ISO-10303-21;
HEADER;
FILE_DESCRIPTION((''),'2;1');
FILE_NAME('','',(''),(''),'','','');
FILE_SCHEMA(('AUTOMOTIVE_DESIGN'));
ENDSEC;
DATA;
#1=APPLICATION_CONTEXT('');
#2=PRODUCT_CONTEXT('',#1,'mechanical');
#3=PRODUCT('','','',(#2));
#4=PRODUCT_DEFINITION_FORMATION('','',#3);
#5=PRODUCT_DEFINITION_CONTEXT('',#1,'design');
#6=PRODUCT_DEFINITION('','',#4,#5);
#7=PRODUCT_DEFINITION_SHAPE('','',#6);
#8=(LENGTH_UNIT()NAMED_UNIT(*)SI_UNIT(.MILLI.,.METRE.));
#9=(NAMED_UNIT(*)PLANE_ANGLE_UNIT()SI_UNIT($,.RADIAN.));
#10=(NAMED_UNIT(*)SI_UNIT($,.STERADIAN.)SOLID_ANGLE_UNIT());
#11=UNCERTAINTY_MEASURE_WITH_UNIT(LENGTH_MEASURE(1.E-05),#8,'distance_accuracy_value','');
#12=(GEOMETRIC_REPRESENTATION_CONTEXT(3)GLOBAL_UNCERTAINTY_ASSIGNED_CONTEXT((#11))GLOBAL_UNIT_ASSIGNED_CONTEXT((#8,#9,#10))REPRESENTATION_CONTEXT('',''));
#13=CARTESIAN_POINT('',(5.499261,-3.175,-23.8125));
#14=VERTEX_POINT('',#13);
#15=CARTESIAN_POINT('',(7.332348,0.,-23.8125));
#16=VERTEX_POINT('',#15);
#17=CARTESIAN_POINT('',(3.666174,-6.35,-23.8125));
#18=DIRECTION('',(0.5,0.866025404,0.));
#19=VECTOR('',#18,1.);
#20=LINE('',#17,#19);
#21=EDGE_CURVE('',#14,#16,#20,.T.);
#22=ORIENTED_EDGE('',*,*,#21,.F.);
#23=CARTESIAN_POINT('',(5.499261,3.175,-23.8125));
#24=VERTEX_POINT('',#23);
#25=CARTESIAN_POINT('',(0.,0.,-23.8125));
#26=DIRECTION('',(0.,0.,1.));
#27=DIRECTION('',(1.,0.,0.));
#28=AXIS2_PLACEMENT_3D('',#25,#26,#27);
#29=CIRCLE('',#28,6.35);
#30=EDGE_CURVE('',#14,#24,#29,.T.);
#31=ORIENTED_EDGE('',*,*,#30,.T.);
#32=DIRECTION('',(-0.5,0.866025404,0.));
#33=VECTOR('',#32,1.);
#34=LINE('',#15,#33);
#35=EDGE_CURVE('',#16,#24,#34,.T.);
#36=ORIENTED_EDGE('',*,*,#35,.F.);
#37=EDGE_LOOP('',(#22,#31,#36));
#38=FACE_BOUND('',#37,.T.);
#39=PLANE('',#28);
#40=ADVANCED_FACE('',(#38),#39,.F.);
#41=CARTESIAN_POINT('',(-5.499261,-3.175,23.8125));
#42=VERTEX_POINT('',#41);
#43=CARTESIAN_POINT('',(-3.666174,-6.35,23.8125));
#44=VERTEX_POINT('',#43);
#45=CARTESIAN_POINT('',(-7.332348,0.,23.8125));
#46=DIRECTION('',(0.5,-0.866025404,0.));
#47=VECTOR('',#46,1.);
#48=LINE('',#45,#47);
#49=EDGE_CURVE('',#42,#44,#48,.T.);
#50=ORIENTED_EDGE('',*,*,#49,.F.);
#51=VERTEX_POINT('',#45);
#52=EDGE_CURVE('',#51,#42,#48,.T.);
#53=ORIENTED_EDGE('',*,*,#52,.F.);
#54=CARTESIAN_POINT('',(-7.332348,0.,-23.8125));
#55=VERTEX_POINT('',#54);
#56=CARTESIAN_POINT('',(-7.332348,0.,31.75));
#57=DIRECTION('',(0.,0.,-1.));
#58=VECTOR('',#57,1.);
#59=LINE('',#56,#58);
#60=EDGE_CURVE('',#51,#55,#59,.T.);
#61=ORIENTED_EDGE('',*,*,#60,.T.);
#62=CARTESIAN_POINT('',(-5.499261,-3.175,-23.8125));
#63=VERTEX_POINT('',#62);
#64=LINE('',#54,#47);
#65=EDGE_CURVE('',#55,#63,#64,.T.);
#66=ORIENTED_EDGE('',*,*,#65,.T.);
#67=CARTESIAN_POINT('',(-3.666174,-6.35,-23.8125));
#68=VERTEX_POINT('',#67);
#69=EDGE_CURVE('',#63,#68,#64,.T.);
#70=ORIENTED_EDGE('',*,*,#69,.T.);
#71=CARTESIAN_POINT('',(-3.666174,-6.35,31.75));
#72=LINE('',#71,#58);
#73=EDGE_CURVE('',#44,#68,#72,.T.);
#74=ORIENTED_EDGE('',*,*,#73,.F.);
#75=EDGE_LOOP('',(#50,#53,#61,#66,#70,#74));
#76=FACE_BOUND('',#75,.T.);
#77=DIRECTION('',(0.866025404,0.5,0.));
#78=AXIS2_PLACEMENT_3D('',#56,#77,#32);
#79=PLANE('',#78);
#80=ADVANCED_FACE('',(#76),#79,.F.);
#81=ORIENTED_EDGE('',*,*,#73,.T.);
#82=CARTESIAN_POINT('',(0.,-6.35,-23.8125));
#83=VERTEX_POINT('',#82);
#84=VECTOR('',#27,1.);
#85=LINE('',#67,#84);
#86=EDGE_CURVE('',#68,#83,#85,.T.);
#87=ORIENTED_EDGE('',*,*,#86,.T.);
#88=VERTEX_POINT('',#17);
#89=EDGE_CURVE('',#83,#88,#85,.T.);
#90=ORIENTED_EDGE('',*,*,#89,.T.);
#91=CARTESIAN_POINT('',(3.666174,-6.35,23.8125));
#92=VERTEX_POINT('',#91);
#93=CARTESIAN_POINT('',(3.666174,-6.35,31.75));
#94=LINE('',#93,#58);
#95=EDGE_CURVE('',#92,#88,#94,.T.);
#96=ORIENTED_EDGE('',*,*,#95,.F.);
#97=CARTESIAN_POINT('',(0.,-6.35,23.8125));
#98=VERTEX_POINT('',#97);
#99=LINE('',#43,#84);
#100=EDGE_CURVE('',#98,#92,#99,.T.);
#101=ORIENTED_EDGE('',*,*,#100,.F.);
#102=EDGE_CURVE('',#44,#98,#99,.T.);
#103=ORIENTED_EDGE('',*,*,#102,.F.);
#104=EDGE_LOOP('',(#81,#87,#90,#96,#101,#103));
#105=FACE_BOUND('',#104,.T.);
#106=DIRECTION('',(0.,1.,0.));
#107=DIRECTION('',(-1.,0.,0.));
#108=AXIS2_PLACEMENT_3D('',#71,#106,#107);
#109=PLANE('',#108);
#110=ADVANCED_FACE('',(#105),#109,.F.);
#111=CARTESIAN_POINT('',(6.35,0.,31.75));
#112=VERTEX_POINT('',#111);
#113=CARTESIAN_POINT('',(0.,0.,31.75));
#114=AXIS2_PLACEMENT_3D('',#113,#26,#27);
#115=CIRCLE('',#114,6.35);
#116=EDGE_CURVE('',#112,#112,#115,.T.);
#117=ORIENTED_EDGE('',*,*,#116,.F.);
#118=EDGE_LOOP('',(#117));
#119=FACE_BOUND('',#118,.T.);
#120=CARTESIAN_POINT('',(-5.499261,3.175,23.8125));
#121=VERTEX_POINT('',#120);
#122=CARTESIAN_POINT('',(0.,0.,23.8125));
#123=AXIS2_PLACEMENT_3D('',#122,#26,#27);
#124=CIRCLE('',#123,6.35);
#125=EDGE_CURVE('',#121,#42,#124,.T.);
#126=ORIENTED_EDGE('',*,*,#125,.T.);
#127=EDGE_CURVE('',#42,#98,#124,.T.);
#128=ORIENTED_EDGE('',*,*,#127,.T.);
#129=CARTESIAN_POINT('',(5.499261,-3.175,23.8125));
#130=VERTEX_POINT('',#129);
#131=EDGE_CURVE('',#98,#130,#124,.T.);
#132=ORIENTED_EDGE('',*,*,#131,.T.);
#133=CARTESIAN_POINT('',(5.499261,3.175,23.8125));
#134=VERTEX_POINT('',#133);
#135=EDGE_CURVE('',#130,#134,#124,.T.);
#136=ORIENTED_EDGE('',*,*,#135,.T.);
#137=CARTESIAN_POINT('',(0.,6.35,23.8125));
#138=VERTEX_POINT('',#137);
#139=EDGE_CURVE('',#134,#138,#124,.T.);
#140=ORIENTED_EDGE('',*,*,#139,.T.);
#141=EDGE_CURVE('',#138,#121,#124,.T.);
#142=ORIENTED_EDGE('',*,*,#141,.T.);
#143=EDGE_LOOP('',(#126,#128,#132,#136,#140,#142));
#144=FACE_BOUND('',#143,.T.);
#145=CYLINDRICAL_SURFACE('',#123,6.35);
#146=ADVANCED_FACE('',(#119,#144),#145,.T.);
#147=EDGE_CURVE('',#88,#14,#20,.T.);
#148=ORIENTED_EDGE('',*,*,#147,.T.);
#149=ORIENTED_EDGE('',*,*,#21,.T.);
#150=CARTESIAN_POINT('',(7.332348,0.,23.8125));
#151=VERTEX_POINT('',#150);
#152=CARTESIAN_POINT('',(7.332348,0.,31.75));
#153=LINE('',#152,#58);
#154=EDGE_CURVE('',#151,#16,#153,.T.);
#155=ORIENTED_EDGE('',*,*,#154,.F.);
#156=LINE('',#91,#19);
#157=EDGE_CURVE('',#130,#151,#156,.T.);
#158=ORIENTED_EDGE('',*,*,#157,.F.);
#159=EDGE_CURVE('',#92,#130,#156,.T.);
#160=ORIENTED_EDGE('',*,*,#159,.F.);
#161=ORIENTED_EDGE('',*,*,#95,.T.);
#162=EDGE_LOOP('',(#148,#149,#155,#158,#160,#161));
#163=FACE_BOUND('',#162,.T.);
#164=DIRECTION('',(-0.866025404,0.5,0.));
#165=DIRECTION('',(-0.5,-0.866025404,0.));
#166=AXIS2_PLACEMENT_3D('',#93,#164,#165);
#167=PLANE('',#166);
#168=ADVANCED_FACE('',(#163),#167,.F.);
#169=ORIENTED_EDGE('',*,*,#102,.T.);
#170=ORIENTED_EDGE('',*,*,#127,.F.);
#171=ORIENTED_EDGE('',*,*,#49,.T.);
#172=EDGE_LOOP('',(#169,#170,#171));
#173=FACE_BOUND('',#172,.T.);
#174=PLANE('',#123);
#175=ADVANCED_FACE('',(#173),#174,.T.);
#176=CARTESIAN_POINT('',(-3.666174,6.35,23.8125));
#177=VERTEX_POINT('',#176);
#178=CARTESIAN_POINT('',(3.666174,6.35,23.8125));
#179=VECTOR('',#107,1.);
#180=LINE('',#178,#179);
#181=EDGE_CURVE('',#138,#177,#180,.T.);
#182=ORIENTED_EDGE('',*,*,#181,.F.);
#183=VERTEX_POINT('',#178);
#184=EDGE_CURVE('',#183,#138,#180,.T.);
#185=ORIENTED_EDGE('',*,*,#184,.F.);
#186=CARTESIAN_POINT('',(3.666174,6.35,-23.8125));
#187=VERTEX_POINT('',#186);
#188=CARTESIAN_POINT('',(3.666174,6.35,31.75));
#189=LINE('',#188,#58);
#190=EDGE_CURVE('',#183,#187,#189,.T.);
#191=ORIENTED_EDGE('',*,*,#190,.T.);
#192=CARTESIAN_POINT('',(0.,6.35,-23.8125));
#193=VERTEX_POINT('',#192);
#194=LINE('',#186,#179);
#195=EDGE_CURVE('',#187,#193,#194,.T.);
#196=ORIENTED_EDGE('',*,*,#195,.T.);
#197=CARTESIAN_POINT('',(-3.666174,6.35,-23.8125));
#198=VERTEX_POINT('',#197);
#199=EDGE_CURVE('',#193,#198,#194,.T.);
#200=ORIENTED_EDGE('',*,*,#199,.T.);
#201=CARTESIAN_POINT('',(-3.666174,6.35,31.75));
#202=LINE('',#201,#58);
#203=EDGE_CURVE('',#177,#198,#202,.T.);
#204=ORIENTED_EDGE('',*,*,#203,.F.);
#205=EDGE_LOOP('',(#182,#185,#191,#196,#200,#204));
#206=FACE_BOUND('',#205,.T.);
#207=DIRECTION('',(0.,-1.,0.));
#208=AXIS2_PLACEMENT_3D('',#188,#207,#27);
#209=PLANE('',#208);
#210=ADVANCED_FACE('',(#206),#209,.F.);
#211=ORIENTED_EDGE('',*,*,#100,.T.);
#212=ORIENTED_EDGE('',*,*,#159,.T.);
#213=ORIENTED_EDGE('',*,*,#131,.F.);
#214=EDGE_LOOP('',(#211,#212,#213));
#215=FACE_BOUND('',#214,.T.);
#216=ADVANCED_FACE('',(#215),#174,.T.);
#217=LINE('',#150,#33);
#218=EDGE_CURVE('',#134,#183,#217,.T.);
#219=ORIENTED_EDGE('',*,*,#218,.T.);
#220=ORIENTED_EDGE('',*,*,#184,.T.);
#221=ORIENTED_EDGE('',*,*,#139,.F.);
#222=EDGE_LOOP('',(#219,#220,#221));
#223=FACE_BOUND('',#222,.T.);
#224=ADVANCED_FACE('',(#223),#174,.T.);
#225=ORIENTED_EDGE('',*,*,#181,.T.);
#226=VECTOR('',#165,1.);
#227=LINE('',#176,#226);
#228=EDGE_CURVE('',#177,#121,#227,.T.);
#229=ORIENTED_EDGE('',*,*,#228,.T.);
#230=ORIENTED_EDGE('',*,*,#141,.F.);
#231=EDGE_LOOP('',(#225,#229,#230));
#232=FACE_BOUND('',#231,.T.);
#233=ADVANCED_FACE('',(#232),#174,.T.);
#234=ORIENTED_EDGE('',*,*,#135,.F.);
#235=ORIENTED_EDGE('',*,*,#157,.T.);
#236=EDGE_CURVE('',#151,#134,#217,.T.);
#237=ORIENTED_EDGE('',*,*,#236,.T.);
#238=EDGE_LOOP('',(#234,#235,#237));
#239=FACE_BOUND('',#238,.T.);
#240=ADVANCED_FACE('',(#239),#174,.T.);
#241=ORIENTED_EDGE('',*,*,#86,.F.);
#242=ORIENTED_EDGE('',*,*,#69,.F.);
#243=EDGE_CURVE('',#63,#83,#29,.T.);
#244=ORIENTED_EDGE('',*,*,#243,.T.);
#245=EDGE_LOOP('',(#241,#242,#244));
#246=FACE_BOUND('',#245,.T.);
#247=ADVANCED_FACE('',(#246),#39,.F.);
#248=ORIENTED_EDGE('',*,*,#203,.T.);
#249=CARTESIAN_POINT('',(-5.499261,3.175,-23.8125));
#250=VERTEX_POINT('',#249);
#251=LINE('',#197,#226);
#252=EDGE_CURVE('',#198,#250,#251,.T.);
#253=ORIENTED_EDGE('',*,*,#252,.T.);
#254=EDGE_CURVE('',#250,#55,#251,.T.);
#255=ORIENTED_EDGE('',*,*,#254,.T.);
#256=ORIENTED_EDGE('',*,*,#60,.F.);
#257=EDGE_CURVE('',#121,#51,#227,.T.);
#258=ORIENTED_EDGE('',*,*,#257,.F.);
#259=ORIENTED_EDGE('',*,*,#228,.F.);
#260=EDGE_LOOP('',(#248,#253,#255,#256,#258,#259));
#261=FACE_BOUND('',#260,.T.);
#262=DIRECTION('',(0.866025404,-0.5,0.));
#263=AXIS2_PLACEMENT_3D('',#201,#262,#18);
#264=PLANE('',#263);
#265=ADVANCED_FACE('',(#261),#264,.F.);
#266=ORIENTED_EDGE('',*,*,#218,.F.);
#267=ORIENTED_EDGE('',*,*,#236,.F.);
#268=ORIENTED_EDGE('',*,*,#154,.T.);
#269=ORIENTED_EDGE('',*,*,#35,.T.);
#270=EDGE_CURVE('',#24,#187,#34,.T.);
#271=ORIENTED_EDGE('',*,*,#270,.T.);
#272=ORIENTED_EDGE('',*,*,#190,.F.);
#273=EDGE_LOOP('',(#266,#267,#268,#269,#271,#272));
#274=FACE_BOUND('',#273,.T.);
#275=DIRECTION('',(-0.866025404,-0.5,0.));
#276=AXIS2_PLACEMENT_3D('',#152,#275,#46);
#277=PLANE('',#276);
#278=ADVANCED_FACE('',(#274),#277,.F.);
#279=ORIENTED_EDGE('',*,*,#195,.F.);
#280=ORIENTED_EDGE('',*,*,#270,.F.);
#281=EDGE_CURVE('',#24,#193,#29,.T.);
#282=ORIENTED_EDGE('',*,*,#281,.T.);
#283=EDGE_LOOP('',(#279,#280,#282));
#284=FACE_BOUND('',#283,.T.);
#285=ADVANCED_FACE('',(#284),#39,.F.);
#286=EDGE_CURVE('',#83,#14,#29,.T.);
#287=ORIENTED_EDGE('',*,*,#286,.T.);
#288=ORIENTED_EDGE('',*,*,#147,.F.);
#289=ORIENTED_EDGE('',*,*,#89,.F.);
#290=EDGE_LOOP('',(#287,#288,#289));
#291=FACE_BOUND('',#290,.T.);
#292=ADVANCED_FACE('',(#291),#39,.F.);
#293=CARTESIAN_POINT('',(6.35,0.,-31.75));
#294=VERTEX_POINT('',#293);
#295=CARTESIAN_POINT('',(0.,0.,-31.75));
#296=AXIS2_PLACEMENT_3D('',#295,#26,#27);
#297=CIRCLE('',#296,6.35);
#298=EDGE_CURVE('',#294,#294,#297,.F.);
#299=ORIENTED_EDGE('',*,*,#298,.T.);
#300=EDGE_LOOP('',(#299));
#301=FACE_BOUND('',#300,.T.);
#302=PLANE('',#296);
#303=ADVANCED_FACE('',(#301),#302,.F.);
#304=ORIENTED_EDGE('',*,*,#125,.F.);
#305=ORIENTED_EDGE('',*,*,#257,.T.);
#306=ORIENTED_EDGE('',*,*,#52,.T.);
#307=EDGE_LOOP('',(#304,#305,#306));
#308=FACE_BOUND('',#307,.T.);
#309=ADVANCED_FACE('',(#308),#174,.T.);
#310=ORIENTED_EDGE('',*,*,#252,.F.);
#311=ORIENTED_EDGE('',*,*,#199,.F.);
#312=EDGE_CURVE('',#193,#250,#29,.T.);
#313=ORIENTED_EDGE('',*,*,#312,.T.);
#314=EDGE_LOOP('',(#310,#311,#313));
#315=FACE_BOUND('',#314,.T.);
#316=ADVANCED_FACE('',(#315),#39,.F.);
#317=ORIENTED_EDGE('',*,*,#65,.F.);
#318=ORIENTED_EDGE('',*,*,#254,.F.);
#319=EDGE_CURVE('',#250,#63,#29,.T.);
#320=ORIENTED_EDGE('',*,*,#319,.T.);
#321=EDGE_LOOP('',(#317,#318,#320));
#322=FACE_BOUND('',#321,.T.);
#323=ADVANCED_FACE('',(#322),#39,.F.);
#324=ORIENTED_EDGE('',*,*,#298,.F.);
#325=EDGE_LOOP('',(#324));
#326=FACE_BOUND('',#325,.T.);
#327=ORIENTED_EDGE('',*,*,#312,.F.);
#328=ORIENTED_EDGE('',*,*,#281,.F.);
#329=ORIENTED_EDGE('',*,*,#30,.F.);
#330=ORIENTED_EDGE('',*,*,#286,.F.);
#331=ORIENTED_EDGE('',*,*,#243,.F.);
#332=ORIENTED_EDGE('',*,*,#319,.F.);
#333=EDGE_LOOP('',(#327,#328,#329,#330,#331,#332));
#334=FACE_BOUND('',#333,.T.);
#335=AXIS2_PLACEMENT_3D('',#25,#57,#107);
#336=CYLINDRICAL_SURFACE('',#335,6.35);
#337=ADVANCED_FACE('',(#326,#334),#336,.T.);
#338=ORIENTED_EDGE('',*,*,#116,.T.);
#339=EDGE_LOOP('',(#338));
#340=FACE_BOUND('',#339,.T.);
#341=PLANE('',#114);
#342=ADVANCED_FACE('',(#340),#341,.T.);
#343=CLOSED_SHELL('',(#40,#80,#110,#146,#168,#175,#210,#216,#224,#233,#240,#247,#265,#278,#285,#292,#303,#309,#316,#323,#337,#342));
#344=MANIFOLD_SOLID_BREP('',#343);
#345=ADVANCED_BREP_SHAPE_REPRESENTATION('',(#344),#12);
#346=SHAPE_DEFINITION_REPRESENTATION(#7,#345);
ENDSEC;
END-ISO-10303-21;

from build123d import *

# Parameters (mm, degrees)
BOSS_EXTRUDE1_DEPTH     = 31.75
SKETCH2_R               = 8.89
SKETCH2_R_2             = 6.35
CUT_EXTRUDE_THIN1_DEPTH = 7.9375


with BuildPart() as part:
    # Sketch1 → Boss-Extrude1 (new, symmetric)
    with BuildSketch(Plane.XY):
        Polygon((7.332348419, 0), (3.666174209, 6.35), (-3.666174209, 6.35), (-7.332348419, 0), (-3.666174209, -6.35), (3.666174209, -6.35), align=None)
    extrude(amount=BOSS_EXTRUDE1_DEPTH, both=True)

    # Sketch2 → Cut-Extrude-Thin1 (cut)
    with BuildSketch(Plane.XY.offset(31.75)):
        Circle(SKETCH2_R)
        Circle(SKETCH2_R_2, mode=Mode.SUBTRACT)
    cut_extrude_thin1 = extrude(amount=-CUT_EXTRUDE_THIN1_DEPTH, mode=Mode.SUBTRACT)

    # Mirror1: Cut-Extrude-Thin1 across plane
    add(cut_extrude_thin1.mirror(Plane.XY), mode=Mode.SUBTRACT)


solid = part.part
